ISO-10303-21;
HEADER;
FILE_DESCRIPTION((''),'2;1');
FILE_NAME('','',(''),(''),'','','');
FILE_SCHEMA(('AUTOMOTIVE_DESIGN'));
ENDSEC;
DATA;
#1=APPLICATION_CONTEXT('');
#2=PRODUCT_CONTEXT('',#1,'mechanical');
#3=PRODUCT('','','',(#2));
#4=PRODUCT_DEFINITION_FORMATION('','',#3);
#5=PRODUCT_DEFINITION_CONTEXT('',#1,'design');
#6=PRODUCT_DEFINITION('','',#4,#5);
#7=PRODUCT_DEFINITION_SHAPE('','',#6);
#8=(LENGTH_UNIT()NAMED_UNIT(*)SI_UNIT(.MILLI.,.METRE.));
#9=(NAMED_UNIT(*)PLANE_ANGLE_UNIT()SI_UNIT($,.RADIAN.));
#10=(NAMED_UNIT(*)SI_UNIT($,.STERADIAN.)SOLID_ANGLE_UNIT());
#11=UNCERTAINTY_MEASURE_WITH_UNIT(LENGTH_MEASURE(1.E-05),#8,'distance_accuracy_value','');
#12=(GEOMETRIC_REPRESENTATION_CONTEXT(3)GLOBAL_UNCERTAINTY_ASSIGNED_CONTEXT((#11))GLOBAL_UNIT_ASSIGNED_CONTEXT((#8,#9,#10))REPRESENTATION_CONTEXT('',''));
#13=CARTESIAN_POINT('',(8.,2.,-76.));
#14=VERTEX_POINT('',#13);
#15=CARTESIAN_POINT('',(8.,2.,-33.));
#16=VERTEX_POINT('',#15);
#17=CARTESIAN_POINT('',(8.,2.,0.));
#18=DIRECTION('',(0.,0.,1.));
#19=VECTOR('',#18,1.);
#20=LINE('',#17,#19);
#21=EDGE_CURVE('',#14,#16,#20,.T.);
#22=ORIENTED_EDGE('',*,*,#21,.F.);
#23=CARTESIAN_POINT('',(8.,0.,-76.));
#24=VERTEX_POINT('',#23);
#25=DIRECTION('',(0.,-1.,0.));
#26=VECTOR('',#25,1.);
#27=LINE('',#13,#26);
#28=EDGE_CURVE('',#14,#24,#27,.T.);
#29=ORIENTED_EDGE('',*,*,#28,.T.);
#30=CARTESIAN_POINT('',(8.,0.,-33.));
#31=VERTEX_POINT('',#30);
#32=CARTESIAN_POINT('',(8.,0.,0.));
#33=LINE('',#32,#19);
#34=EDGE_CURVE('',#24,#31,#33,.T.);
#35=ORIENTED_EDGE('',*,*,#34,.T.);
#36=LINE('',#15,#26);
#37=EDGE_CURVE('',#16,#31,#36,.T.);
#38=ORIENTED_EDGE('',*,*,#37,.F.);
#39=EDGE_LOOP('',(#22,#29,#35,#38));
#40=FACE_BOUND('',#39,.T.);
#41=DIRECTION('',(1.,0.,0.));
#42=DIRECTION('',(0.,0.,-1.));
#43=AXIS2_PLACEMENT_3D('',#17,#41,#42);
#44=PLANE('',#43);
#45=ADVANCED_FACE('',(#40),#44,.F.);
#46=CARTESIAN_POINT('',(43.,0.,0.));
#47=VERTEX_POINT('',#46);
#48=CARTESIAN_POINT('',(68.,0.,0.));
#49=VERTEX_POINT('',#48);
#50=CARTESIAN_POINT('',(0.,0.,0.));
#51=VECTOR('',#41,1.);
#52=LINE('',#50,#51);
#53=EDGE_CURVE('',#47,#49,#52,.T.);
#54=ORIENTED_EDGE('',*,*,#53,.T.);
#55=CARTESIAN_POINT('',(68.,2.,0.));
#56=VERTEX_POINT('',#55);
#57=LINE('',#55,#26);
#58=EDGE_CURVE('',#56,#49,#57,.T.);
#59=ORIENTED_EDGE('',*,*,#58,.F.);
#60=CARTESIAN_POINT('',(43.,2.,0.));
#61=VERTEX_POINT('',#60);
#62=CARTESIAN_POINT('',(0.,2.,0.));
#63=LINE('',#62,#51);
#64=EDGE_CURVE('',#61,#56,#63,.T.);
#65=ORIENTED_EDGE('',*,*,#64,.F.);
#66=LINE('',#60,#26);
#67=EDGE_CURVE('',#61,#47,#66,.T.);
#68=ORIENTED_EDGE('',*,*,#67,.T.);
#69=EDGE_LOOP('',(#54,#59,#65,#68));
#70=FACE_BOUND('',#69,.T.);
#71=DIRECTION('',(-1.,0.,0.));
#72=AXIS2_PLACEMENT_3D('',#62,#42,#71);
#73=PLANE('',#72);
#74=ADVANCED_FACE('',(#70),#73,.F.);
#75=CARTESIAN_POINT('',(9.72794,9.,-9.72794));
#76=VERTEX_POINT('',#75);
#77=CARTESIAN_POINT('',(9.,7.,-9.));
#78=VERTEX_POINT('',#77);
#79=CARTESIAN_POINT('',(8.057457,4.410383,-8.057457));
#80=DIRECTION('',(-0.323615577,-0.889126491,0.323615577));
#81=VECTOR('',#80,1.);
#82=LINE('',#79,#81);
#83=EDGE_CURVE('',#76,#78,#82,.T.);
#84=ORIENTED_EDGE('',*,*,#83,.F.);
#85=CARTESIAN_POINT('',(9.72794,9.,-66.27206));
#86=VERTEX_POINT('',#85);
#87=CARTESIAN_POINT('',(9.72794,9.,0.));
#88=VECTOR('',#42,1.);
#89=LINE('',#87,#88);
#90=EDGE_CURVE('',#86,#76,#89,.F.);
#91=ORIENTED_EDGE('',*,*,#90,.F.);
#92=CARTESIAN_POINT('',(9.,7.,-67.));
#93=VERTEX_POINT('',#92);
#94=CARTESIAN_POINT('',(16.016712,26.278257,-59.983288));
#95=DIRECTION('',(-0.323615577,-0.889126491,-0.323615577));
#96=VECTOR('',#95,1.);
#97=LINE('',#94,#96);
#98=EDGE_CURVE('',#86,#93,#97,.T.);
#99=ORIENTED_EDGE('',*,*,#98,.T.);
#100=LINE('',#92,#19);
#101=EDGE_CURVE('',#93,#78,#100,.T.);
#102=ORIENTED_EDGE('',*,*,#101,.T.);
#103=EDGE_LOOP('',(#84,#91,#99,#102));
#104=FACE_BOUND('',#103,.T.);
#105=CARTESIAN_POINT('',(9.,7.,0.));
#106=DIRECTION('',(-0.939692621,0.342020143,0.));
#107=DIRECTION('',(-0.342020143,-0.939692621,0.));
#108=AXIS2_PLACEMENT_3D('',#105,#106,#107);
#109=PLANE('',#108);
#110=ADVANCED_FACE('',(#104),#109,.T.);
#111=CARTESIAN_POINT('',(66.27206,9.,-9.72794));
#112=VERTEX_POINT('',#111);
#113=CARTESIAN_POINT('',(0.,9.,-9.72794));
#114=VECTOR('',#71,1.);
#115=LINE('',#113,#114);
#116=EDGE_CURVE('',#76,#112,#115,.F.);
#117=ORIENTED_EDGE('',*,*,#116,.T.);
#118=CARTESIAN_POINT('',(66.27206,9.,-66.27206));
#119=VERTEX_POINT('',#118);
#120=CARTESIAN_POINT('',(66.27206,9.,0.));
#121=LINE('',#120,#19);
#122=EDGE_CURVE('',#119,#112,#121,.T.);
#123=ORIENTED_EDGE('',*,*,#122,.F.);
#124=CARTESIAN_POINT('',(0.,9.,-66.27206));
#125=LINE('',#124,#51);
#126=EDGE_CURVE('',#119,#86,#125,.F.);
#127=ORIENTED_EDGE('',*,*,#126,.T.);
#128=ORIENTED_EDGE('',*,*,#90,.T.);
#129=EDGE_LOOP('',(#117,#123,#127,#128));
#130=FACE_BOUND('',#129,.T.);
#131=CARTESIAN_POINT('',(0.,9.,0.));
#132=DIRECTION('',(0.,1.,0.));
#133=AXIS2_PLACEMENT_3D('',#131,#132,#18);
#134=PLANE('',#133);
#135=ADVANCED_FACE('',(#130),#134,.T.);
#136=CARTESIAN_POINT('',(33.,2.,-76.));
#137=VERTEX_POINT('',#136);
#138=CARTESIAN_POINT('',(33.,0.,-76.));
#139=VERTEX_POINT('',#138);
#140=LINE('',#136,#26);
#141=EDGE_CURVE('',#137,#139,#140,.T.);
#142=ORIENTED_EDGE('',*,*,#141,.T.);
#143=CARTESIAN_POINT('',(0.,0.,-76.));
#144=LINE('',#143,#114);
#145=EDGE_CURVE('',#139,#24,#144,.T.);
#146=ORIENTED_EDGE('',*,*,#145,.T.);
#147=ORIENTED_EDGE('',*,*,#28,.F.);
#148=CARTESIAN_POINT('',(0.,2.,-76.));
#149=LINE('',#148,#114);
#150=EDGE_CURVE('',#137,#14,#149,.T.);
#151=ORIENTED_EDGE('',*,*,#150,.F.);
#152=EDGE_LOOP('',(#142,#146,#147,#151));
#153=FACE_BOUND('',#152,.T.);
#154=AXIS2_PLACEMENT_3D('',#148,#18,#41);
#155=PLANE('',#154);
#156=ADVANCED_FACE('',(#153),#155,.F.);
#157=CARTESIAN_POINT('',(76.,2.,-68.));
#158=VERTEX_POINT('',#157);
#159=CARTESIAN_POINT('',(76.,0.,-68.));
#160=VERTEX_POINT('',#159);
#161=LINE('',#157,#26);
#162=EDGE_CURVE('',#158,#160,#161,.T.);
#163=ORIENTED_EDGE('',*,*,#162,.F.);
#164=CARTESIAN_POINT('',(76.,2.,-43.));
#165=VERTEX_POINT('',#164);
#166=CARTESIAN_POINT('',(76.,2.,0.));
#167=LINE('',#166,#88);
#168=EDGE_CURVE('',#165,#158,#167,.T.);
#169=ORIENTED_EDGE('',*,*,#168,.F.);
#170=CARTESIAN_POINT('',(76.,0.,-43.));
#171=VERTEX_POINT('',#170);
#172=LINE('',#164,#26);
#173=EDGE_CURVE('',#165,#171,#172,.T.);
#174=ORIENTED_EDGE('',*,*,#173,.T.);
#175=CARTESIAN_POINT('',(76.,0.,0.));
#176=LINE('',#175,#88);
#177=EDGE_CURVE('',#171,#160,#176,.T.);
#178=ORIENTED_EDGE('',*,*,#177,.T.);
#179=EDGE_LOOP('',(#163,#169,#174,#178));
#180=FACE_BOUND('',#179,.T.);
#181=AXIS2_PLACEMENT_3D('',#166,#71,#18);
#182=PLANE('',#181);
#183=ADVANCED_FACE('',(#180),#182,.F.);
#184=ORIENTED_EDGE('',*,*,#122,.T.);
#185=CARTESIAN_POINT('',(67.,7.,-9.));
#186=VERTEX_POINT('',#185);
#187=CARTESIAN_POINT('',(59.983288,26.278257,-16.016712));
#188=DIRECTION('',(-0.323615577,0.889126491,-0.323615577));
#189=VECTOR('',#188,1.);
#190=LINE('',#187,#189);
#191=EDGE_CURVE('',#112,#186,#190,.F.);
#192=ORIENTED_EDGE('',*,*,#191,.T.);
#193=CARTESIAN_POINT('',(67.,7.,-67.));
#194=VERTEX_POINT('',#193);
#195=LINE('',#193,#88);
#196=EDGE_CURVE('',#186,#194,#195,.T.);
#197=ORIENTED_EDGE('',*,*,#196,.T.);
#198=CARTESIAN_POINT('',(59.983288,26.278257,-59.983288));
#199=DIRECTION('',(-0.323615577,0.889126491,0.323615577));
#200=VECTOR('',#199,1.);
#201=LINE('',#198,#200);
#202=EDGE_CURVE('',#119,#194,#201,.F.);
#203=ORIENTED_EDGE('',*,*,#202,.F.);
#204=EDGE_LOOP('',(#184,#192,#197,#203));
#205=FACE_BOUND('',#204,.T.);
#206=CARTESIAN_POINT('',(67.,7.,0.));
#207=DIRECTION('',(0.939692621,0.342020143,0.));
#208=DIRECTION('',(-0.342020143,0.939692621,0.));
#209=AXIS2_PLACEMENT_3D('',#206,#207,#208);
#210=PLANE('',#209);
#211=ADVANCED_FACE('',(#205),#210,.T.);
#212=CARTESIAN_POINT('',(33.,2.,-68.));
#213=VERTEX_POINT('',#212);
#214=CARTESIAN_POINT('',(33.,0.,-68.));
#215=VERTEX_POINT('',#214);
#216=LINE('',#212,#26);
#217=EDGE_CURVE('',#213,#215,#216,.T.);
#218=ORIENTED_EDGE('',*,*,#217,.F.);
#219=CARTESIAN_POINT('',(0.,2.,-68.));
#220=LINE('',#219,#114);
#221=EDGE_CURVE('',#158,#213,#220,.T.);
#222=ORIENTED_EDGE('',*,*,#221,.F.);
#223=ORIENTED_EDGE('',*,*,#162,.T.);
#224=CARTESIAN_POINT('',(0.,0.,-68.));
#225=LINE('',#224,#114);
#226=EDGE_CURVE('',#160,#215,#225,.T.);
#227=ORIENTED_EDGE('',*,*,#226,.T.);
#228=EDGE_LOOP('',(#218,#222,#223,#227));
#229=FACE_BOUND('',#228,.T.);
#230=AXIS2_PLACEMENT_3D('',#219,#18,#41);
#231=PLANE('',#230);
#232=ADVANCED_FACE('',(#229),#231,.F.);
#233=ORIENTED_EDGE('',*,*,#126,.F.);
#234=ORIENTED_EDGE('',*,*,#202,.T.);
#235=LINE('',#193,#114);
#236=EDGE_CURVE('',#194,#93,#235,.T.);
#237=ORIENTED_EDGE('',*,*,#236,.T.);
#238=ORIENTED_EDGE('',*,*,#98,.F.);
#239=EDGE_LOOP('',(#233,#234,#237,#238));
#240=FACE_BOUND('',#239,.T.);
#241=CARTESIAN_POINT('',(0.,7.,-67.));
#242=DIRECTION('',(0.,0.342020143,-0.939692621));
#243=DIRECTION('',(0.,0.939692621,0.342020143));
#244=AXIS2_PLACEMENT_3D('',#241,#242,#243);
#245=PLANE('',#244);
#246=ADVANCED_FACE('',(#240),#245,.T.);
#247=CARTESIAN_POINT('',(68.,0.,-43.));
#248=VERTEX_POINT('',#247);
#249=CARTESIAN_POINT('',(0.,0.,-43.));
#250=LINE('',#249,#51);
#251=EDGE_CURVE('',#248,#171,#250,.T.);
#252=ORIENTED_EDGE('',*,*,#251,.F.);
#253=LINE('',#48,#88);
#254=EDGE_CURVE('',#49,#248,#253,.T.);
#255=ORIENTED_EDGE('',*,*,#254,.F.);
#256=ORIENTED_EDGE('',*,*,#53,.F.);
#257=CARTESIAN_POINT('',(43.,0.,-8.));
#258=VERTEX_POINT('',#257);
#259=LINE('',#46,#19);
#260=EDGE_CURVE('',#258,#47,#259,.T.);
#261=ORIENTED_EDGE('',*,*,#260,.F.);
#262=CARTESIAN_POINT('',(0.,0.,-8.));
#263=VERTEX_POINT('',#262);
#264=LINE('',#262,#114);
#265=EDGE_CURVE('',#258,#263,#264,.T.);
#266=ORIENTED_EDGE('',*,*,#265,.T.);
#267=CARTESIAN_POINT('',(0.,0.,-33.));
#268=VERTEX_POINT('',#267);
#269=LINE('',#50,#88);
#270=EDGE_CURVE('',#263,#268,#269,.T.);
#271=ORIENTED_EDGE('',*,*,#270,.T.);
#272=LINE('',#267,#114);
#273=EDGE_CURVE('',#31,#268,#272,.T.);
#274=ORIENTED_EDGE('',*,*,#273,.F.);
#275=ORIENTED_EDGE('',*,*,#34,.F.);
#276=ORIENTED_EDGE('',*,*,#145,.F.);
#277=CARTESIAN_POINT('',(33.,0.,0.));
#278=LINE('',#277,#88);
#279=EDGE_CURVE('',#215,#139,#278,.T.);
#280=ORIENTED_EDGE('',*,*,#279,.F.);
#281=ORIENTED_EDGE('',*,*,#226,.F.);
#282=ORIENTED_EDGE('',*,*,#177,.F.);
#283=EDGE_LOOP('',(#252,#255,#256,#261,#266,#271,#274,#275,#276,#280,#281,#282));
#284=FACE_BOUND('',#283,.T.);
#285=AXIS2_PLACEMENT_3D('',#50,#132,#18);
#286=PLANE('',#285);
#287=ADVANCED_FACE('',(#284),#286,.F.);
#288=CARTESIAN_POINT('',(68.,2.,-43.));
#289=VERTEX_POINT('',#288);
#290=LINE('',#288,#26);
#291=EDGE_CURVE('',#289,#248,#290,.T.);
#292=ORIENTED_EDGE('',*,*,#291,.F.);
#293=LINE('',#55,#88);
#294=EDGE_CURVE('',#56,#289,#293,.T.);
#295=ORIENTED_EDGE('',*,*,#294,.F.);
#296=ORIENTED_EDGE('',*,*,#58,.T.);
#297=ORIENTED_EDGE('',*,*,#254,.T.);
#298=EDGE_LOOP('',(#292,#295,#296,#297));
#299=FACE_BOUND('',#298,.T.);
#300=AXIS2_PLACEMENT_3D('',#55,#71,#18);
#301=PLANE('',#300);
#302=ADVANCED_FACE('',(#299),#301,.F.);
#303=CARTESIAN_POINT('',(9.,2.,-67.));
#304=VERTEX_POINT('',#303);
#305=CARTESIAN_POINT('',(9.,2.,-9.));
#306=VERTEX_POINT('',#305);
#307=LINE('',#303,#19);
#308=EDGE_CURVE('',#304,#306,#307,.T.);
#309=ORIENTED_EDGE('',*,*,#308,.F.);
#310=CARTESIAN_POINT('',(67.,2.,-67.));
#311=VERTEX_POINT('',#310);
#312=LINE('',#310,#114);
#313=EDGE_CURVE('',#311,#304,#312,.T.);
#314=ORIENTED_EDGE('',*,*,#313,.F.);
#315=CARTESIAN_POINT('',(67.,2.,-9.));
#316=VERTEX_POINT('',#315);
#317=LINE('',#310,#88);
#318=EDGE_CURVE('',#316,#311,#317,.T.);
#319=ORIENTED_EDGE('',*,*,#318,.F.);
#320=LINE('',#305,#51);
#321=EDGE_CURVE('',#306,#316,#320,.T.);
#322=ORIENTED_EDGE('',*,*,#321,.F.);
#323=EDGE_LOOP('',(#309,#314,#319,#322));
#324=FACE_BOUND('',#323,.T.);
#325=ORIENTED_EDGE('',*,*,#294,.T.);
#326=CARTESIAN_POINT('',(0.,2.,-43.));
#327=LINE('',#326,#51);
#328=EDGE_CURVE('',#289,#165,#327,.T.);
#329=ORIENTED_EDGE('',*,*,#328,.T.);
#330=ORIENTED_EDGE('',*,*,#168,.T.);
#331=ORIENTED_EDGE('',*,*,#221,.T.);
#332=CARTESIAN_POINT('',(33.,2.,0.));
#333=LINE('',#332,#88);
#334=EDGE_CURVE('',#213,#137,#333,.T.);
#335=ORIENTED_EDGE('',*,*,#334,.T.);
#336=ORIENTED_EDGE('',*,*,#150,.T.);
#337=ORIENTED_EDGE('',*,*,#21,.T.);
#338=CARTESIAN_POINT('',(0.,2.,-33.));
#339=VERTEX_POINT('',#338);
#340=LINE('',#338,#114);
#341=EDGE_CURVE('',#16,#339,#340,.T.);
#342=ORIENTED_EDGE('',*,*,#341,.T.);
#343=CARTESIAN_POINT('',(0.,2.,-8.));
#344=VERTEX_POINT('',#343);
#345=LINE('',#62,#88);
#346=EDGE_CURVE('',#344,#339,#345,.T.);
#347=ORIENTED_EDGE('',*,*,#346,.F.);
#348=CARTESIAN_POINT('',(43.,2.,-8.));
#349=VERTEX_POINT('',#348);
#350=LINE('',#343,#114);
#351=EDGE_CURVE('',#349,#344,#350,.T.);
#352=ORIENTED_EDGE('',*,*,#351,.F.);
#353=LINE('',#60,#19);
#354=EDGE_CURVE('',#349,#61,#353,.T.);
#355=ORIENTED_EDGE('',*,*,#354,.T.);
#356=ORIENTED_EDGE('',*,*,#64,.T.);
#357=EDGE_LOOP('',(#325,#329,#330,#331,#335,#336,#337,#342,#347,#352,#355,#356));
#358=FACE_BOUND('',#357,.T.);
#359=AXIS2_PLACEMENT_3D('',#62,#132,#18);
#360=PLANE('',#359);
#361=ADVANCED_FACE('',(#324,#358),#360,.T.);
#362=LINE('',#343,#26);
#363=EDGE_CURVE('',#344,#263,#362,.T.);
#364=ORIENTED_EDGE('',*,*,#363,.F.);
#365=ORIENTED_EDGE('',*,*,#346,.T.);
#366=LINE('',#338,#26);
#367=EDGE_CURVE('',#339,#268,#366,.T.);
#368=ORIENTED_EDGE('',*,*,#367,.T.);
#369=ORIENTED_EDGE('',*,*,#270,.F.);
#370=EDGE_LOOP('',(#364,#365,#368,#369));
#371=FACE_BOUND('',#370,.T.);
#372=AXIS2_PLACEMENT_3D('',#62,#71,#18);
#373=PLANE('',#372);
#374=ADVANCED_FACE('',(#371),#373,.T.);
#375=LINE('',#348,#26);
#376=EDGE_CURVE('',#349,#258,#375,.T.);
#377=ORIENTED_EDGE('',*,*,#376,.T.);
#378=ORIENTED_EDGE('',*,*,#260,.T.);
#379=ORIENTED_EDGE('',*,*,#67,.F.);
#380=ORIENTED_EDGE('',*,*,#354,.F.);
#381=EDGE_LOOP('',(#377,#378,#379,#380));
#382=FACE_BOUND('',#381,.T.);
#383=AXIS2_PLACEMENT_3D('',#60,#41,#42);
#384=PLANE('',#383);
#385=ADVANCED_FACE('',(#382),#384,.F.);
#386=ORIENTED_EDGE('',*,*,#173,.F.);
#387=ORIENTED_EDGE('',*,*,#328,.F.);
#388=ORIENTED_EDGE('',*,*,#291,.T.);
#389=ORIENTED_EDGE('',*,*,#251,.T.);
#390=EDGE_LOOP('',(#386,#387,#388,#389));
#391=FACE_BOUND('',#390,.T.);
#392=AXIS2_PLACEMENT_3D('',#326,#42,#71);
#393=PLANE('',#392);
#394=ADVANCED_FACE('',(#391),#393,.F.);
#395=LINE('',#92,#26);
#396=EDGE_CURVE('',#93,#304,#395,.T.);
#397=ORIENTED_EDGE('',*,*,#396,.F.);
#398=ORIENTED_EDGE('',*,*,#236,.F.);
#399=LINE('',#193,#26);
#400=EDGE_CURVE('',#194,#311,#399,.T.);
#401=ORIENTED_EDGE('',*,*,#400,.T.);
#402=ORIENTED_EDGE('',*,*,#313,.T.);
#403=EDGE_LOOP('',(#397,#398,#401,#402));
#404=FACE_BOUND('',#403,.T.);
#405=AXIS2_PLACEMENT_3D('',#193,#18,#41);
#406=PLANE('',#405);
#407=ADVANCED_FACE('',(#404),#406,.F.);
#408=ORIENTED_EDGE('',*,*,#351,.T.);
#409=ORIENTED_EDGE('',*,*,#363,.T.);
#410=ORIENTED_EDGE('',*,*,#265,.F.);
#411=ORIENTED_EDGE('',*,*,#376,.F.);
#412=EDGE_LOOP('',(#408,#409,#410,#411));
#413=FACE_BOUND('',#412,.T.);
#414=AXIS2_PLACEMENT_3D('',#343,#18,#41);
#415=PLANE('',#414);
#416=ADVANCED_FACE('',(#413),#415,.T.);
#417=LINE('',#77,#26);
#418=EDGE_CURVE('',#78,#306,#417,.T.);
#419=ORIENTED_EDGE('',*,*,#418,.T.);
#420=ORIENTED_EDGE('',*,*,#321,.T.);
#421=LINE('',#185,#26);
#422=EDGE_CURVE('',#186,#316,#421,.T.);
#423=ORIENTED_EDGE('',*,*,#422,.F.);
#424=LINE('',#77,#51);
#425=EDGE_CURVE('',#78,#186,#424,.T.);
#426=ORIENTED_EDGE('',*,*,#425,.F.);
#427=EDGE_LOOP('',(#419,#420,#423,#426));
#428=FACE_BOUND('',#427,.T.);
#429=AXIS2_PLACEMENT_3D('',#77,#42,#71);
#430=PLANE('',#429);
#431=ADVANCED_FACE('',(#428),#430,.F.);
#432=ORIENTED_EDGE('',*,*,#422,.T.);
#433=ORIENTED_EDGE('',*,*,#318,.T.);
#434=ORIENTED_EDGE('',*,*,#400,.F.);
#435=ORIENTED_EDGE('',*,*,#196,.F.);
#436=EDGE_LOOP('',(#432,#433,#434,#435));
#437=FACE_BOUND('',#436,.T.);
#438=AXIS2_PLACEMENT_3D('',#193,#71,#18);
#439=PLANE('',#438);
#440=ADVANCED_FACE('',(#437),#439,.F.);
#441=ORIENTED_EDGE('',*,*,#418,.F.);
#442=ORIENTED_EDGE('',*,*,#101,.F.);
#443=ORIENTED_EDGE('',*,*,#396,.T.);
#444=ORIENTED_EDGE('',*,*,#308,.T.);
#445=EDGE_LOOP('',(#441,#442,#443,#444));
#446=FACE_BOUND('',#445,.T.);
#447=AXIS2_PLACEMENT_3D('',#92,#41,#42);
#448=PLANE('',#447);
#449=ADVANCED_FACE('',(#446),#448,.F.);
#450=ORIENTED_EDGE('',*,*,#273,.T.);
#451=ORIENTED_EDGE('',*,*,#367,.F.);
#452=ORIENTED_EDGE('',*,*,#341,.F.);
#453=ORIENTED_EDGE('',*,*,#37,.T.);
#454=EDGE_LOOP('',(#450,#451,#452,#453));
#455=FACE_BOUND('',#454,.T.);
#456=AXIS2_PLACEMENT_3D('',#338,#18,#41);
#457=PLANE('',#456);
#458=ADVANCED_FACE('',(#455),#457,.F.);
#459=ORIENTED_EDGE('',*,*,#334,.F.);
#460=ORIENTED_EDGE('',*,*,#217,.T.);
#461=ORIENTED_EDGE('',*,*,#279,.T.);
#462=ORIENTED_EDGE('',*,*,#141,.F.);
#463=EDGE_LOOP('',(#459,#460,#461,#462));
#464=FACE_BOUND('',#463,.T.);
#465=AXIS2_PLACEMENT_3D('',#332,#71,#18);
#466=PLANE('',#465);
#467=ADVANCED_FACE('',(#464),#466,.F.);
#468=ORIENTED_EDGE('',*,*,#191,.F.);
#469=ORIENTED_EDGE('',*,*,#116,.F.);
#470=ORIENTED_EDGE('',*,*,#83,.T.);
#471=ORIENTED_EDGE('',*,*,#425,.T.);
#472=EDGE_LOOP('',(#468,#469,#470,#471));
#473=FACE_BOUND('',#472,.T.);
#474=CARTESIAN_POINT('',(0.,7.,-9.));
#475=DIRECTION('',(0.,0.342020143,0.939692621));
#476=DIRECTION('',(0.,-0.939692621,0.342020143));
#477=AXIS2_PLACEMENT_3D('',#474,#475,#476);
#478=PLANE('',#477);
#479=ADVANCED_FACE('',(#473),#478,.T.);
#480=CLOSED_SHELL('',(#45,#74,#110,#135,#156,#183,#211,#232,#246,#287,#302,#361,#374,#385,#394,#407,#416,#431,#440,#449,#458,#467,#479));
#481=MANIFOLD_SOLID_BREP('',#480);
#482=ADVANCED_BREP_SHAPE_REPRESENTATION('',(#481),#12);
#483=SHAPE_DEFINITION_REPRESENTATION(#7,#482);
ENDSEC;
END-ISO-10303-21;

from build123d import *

# Parameters (mm, degrees)
BOSS_EXTRU_1_DEPTH = 2
ESQUISSE2_W        = 58
ESQUISSE2_H        = 58
BOSS_EXTRU_2_DEPTH = 5
BOSS_EXTRU_3_START = 5
ESQUISSE2_3_W      = 58
ESQUISSE2_3_H      = 58
BOSS_EXTRU_3_DEPTH = 2
BOSS_EXTRU_3_TAPER = 20


with BuildPart() as part:
    # Esquisse1 → Boss.-Extru.1 (new body)
    with BuildSketch(Plane(origin=(0, 0, 0), x_dir=(1, 0, 0), z_dir=(0, 1, 0))):
        Polygon((8, 33), (0, 33), (0, 8), (43, 8), (43, 0), (68, 0), (68, 43), (76, 43), (76, 68), (33, 68), (33, 76), (8, 76), align=None)
    extrude(amount=BOSS_EXTRU_1_DEPTH)

    # Esquisse2 → Boss.-Extru.2 (add)
    with BuildSketch(Plane(origin=(0, 2, 0), x_dir=(1, 0, 0), z_dir=(0, 1, 0))):
        with Locations((38, 38)):
            Rectangle(ESQUISSE2_W, ESQUISSE2_H)
    extrude(amount=BOSS_EXTRU_2_DEPTH)

    # Esquisse2<3> → Boss.-Extru.3 (add)
    with BuildSketch(Plane(origin=(0, 2, 0), x_dir=(1, 0, 0), z_dir=(0, 1, 0)).offset(BOSS_EXTRU_3_START)):
        with Locations((38, 38)):
            Rectangle(ESQUISSE2_3_W, ESQUISSE2_3_H)
    extrude(amount=BOSS_EXTRU_3_DEPTH, taper=BOSS_EXTRU_3_TAPER)


solid = part.part
